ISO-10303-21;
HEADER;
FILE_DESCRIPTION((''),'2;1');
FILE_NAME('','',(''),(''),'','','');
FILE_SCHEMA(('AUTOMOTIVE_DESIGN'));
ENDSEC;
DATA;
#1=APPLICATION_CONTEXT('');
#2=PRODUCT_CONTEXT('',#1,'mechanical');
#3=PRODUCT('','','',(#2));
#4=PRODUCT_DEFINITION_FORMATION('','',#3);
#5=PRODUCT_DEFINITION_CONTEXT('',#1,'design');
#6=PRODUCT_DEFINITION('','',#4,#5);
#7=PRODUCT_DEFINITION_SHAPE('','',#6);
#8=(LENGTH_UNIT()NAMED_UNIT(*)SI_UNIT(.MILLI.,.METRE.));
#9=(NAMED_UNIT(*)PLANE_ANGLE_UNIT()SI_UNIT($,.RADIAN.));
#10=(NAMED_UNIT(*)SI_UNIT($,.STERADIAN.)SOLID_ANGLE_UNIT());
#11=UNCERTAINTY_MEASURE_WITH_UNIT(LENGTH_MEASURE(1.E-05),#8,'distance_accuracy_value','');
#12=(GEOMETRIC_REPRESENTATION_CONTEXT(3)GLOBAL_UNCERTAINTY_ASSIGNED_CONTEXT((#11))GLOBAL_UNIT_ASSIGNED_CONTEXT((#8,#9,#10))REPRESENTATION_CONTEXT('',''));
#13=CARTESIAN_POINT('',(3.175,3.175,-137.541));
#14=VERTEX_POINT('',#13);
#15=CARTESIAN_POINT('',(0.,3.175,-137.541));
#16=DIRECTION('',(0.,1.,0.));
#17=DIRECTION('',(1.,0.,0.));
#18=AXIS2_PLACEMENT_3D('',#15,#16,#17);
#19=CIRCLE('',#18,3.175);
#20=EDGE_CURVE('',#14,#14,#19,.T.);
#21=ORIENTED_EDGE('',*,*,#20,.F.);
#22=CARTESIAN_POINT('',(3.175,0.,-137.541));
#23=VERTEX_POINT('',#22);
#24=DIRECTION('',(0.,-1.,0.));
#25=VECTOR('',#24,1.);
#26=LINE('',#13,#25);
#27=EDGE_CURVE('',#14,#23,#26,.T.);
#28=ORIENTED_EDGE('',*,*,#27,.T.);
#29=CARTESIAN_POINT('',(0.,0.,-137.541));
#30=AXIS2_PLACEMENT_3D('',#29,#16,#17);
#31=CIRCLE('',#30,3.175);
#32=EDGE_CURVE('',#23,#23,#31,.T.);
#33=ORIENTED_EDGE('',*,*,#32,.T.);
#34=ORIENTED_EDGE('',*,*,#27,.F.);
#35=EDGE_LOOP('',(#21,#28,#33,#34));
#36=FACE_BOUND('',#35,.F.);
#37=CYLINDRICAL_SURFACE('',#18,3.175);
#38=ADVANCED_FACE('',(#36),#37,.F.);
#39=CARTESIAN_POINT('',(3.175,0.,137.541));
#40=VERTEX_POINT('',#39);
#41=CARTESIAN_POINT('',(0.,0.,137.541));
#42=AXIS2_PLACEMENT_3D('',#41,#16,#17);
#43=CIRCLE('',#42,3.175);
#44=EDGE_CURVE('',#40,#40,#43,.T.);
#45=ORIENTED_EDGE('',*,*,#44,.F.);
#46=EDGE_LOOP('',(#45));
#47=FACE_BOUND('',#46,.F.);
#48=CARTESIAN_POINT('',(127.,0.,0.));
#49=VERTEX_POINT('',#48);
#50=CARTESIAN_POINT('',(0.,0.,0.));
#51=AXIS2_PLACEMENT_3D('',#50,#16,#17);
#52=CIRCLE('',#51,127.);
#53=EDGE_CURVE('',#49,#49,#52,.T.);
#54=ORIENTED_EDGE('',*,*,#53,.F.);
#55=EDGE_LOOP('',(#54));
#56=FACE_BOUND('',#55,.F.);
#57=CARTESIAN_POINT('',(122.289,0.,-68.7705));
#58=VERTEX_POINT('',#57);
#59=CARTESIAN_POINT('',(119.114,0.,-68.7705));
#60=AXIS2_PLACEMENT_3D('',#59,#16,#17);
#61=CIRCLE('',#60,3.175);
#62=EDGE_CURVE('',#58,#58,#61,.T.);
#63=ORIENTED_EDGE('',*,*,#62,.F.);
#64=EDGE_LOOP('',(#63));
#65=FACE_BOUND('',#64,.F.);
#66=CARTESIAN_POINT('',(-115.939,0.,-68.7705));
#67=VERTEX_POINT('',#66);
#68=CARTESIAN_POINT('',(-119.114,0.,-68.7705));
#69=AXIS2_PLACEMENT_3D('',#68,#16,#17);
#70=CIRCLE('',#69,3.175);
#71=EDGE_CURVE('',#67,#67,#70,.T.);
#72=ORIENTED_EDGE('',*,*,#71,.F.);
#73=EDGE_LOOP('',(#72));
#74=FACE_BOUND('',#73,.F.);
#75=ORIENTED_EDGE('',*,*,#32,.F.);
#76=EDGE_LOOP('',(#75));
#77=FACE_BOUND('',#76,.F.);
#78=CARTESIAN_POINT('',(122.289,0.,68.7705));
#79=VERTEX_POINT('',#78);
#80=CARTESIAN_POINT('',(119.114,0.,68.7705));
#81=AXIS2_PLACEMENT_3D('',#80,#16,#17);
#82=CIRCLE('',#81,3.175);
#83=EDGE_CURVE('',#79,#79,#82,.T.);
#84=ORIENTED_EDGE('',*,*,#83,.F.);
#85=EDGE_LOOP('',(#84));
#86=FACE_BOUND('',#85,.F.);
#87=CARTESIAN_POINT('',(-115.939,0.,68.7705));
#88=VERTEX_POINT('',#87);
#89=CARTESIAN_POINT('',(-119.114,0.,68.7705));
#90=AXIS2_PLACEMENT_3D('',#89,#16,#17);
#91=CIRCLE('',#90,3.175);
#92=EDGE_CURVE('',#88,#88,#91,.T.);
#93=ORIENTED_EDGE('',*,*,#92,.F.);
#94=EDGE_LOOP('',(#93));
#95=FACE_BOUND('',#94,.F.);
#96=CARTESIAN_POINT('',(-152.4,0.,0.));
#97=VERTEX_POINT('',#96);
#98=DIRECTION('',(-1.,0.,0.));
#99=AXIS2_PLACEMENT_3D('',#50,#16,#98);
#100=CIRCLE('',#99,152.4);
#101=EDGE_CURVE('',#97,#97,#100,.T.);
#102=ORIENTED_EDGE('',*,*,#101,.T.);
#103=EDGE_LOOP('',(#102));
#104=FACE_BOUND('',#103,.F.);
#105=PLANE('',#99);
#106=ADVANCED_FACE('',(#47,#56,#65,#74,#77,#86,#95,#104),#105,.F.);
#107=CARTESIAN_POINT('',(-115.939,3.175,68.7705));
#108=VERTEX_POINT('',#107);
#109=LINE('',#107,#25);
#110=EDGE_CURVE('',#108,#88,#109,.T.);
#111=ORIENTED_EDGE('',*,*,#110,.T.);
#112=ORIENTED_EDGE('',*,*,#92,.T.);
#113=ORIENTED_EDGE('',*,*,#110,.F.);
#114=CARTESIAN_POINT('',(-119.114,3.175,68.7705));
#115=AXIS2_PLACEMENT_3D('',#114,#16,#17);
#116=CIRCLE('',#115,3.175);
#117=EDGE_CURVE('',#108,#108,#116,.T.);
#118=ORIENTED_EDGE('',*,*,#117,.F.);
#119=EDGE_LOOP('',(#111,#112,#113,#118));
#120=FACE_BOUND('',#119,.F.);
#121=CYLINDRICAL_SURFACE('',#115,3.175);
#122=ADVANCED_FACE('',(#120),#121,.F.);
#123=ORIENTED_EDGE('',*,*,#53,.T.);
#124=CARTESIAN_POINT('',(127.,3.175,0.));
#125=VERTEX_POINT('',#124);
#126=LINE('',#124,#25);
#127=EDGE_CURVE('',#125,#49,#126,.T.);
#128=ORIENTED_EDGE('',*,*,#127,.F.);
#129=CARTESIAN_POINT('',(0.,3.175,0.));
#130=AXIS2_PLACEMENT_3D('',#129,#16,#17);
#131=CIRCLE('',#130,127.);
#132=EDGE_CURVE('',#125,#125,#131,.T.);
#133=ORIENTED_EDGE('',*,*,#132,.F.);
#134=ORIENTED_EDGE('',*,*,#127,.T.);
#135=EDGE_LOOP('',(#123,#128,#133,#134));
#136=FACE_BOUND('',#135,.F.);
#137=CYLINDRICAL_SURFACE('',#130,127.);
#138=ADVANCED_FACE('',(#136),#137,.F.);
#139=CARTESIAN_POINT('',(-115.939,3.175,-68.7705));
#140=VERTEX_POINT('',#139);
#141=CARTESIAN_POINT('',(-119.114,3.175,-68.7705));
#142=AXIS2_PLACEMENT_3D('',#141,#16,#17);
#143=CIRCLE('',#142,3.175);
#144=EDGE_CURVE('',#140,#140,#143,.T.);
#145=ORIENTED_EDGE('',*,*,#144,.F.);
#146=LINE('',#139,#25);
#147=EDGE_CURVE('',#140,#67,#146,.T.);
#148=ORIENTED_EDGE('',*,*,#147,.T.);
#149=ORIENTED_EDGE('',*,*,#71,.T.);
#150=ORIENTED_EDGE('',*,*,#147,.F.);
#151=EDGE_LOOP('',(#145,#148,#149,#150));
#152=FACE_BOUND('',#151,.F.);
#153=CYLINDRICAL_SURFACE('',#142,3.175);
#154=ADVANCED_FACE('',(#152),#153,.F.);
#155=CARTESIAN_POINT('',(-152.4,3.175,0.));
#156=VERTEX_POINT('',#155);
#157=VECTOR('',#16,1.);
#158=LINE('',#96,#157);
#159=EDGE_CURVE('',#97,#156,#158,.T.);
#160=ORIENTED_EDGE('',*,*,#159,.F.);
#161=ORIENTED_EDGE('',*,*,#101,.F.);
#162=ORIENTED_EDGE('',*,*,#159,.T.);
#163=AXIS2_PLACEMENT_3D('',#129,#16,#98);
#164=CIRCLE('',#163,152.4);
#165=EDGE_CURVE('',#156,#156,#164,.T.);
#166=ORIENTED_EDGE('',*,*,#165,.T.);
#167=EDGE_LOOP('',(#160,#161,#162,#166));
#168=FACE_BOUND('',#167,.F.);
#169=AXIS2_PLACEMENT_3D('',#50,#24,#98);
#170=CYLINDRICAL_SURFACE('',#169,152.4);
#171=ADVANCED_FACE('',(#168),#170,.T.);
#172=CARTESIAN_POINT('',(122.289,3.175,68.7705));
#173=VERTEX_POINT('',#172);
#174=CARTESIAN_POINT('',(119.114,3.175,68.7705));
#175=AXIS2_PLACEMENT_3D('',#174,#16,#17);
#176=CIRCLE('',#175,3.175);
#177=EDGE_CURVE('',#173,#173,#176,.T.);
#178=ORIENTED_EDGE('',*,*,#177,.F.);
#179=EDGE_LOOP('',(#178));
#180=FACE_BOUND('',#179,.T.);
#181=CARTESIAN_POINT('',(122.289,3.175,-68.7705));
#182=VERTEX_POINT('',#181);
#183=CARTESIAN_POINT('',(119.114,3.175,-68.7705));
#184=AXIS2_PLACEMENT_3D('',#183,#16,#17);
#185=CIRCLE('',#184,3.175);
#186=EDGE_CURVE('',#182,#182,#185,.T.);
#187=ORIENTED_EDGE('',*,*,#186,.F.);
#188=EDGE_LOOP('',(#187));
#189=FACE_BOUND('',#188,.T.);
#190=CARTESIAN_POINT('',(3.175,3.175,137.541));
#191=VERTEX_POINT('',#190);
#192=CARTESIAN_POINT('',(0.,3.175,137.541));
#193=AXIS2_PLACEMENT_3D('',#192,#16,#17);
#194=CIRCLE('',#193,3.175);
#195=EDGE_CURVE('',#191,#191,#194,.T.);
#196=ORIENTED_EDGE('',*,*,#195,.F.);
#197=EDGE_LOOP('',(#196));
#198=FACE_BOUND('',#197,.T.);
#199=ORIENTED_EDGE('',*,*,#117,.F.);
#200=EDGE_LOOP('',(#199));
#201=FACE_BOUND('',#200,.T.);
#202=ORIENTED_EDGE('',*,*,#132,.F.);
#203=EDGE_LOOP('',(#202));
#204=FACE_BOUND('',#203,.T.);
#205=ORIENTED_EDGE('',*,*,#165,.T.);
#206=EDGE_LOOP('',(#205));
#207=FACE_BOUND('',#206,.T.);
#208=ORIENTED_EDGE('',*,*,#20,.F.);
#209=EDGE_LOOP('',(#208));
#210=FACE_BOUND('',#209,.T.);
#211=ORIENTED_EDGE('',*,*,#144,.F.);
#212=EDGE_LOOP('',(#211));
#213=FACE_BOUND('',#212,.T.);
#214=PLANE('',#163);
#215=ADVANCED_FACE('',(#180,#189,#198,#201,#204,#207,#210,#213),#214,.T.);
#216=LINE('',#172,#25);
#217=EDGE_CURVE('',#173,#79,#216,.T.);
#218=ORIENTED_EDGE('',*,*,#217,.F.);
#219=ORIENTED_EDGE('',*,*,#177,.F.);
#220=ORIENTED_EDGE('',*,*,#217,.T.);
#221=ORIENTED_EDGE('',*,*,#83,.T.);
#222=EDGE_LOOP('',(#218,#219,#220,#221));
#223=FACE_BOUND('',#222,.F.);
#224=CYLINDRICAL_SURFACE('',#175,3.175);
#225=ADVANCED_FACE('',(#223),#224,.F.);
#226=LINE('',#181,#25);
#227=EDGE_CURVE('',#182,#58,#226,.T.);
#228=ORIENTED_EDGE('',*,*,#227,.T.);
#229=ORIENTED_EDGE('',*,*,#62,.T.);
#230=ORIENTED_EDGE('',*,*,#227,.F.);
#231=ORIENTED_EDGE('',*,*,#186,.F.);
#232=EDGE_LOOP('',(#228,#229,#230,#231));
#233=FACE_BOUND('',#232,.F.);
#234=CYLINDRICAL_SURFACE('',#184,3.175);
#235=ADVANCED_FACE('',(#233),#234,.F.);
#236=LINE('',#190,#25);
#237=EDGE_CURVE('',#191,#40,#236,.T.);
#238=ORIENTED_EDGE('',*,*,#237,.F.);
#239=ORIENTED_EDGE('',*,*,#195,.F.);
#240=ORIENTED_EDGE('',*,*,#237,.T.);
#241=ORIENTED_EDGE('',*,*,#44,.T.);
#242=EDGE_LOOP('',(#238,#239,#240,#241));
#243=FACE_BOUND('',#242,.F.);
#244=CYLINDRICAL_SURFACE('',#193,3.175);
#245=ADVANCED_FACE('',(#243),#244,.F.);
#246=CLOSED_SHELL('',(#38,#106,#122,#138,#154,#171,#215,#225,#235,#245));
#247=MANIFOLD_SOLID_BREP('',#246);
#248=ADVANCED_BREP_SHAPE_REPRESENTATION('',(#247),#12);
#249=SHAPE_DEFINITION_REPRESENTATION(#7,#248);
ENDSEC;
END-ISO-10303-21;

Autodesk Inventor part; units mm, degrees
ref_plane "YZ Plane" through (0, 0, 0) normal (1, 0, 0) x (0, 1, 0)
ref_plane "XZ Plane" through (0, 0, 0) normal (0, 1, 0) x (-1, 0, 0)
ref_plane "XY Plane" through (0, 0, 0) normal (0, 0, 1) x (1, 0, 0)
sketch "Sketch1" plane through (0, 0, 0) normal (0, 1, 0) x (-1, 0, 0)
  circle A0 centre (0, 0) radius 152.4
  dimension "d0" = 304.8
extrude "Extrusion1" add sketch "Sketch1" along normal blind 3.175
sketch "Sketch2" plane through (0, 3.175, 0) normal (0, 1, 0) x (1, 0, 0)
  circle A0 centre (0, 0) radius 137.541 construction
  circle A1 centre (0, -137.541) radius 3.175
  circle A2 centre (119.114, -68.7705) radius 3.175
  circle A3 centre (119.114, 68.7705) radius 3.175
  circle A4 centre (0, 137.541) radius 3.175
  circle A5 centre (-119.114, 68.7705) radius 3.175
  circle A6 centre (-119.114, -68.7705) radius 3.175
  dimension "d3" = 275.082
  dimension "d4" = 6.35
  dimension "d7" = 360
extrude "Extrusion2" cut sketch "Sketch2" against normal through all
sketch "Sketch3" plane through (0, 3.175, 0) normal (0, 1, 0) x (1, 0, 0)
  circle A0 centre (0, 0) radius 127
  dimension "d11" = 254
extrude "Extrusion3" cut sketch "Sketch3" against normal through all
sketch "Sketch5" plane through (0, 3.175, 0) normal (0, 1, 0) x (1, 0, 0)
  point P0 (0, 0)
  point P1 (0, 0)
properties part number "Top Plate"
